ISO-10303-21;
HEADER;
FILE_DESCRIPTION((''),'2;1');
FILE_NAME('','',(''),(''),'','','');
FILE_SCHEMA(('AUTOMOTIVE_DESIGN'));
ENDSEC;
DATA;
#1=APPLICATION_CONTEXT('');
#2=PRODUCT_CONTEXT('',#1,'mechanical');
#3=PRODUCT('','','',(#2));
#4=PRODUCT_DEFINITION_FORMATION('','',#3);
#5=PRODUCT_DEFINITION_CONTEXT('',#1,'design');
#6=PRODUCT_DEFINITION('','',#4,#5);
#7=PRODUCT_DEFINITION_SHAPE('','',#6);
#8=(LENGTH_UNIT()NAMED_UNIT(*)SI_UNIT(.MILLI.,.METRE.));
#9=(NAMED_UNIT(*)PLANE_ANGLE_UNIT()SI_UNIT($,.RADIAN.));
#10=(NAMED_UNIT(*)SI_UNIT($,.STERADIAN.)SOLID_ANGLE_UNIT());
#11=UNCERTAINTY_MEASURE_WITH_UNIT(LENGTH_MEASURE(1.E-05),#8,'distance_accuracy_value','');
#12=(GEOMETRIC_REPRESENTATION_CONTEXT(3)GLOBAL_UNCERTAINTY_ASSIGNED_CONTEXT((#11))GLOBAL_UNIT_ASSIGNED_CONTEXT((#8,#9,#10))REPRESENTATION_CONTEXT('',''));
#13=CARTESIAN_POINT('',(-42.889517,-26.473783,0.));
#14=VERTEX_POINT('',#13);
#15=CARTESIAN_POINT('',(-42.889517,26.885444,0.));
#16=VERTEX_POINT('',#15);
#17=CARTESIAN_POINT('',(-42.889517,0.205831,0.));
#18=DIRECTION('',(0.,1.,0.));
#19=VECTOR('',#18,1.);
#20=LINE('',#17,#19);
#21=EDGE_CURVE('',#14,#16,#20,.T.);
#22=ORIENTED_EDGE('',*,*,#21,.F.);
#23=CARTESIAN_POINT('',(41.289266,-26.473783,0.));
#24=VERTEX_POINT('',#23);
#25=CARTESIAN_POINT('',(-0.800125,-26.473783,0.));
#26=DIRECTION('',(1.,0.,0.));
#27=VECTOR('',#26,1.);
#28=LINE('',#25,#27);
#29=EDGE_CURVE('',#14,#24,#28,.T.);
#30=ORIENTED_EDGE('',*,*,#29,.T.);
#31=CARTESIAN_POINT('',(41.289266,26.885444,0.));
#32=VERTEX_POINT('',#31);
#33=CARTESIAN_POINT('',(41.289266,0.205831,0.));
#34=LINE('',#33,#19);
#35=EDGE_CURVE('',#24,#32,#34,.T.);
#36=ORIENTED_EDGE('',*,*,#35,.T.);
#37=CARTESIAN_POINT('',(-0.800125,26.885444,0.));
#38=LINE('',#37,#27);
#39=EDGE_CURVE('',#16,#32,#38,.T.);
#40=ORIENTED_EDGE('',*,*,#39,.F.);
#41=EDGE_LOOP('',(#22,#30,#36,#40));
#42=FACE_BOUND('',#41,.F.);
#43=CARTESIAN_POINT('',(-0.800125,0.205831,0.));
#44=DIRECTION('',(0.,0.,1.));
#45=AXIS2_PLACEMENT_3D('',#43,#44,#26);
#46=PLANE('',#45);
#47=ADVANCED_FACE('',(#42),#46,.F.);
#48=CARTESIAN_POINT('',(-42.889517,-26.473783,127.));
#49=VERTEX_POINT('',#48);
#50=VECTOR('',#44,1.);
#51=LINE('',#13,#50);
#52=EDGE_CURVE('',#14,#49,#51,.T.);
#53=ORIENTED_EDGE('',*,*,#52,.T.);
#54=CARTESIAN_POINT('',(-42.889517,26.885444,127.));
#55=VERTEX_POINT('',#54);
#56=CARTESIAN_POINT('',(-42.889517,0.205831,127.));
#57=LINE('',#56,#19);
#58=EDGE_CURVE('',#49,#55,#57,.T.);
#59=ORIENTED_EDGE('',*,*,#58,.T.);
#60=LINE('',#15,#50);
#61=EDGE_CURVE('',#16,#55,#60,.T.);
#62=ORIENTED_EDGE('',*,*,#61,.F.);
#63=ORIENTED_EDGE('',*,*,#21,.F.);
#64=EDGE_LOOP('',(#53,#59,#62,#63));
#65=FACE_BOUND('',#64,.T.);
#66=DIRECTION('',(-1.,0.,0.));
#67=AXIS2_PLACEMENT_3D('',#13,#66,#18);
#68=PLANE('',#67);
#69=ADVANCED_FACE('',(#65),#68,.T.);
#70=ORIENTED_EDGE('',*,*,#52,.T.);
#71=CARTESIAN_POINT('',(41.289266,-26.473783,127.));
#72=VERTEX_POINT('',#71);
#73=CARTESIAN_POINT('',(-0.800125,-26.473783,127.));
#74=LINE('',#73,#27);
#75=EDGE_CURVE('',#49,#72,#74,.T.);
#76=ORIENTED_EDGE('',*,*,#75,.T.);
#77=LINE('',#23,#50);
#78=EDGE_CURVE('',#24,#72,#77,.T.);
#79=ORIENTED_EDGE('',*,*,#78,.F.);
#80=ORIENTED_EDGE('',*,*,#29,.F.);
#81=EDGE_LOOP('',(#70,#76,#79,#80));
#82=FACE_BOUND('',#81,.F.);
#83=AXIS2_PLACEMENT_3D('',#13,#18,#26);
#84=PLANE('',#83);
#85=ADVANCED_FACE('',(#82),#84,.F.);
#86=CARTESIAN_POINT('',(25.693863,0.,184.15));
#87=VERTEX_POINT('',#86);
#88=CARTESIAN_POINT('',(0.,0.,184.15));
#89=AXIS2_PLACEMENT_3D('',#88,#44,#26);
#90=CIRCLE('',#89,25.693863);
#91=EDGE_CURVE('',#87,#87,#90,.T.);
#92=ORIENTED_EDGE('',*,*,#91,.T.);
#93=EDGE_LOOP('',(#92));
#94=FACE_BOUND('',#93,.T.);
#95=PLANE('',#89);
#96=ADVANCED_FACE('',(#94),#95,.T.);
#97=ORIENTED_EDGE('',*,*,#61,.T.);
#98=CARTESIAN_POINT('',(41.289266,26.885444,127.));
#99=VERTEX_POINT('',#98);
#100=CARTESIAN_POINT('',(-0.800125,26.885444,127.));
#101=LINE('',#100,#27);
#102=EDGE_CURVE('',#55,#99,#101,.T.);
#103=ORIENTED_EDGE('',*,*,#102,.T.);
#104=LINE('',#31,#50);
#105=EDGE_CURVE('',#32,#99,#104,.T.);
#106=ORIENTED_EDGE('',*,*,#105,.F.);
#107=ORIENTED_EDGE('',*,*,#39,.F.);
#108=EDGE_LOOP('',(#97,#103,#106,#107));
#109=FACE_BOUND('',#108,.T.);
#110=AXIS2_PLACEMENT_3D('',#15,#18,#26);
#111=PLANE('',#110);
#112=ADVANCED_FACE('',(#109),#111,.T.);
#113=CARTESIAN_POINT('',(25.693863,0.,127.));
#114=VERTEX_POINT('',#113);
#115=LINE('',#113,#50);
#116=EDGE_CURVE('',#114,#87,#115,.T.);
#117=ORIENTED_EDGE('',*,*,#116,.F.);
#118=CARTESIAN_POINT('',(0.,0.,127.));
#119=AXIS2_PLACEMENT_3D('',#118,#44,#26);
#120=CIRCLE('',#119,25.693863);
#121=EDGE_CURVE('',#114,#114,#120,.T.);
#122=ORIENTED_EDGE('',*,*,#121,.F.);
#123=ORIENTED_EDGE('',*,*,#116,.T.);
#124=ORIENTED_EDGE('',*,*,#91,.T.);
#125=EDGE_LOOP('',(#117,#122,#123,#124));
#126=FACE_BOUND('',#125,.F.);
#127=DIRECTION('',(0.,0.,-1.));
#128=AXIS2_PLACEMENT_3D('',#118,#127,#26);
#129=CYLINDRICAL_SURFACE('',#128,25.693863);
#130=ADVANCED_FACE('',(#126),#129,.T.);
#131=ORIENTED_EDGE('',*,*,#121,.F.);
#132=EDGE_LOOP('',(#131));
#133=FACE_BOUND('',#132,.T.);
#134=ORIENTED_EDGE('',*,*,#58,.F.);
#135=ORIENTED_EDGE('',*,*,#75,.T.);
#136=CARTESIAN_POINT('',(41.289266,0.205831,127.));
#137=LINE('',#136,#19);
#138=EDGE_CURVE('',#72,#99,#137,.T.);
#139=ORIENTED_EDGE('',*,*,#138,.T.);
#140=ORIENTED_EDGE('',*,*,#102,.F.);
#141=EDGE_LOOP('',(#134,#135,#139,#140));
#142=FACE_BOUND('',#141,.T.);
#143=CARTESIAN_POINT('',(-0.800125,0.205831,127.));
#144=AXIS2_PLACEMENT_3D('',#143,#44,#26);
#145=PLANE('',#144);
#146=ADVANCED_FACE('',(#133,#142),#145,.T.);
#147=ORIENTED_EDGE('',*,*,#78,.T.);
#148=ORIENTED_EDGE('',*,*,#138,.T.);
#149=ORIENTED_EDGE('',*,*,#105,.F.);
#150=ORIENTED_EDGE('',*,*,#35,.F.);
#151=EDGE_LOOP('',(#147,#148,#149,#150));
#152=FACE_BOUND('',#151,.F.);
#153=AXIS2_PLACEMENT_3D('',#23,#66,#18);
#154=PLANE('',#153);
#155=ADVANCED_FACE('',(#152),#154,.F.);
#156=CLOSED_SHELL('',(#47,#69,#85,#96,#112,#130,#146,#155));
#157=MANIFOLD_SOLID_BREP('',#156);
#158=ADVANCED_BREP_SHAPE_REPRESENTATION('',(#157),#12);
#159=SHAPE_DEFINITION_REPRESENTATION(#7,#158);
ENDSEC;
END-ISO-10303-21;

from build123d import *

# Parameters (mm, degrees)
F0_R     = 29.8738984084
F1_DEPTH = 101.6
F3_W     = 84.1787829995
F3_H     = 53.359227255
F4_DEPTH = 127
F5_R     = 25.6938626455
F6_DEPTH = 57.15


with BuildPart() as f1:
    # F0 (on Top) → F1 (new body)
    with BuildSketch(Plane.XY):
        Circle(F0_R)
    extrude(amount=F1_DEPTH)


with BuildPart() as f4:
    # F3 (on Top) → F4 (new body)
    with BuildSketch(Plane.XY):
        with Locations((-0.8001253009, 0.2058306709)):
            Rectangle(F3_W, F3_H)
    extrude(amount=F4_DEPTH)

    # F5 (on face) → F6 (join)
    with BuildSketch(Plane.XY.offset(127)):
        Circle(F5_R)
    extrude(amount=F6_DEPTH)


solid = f4.part
